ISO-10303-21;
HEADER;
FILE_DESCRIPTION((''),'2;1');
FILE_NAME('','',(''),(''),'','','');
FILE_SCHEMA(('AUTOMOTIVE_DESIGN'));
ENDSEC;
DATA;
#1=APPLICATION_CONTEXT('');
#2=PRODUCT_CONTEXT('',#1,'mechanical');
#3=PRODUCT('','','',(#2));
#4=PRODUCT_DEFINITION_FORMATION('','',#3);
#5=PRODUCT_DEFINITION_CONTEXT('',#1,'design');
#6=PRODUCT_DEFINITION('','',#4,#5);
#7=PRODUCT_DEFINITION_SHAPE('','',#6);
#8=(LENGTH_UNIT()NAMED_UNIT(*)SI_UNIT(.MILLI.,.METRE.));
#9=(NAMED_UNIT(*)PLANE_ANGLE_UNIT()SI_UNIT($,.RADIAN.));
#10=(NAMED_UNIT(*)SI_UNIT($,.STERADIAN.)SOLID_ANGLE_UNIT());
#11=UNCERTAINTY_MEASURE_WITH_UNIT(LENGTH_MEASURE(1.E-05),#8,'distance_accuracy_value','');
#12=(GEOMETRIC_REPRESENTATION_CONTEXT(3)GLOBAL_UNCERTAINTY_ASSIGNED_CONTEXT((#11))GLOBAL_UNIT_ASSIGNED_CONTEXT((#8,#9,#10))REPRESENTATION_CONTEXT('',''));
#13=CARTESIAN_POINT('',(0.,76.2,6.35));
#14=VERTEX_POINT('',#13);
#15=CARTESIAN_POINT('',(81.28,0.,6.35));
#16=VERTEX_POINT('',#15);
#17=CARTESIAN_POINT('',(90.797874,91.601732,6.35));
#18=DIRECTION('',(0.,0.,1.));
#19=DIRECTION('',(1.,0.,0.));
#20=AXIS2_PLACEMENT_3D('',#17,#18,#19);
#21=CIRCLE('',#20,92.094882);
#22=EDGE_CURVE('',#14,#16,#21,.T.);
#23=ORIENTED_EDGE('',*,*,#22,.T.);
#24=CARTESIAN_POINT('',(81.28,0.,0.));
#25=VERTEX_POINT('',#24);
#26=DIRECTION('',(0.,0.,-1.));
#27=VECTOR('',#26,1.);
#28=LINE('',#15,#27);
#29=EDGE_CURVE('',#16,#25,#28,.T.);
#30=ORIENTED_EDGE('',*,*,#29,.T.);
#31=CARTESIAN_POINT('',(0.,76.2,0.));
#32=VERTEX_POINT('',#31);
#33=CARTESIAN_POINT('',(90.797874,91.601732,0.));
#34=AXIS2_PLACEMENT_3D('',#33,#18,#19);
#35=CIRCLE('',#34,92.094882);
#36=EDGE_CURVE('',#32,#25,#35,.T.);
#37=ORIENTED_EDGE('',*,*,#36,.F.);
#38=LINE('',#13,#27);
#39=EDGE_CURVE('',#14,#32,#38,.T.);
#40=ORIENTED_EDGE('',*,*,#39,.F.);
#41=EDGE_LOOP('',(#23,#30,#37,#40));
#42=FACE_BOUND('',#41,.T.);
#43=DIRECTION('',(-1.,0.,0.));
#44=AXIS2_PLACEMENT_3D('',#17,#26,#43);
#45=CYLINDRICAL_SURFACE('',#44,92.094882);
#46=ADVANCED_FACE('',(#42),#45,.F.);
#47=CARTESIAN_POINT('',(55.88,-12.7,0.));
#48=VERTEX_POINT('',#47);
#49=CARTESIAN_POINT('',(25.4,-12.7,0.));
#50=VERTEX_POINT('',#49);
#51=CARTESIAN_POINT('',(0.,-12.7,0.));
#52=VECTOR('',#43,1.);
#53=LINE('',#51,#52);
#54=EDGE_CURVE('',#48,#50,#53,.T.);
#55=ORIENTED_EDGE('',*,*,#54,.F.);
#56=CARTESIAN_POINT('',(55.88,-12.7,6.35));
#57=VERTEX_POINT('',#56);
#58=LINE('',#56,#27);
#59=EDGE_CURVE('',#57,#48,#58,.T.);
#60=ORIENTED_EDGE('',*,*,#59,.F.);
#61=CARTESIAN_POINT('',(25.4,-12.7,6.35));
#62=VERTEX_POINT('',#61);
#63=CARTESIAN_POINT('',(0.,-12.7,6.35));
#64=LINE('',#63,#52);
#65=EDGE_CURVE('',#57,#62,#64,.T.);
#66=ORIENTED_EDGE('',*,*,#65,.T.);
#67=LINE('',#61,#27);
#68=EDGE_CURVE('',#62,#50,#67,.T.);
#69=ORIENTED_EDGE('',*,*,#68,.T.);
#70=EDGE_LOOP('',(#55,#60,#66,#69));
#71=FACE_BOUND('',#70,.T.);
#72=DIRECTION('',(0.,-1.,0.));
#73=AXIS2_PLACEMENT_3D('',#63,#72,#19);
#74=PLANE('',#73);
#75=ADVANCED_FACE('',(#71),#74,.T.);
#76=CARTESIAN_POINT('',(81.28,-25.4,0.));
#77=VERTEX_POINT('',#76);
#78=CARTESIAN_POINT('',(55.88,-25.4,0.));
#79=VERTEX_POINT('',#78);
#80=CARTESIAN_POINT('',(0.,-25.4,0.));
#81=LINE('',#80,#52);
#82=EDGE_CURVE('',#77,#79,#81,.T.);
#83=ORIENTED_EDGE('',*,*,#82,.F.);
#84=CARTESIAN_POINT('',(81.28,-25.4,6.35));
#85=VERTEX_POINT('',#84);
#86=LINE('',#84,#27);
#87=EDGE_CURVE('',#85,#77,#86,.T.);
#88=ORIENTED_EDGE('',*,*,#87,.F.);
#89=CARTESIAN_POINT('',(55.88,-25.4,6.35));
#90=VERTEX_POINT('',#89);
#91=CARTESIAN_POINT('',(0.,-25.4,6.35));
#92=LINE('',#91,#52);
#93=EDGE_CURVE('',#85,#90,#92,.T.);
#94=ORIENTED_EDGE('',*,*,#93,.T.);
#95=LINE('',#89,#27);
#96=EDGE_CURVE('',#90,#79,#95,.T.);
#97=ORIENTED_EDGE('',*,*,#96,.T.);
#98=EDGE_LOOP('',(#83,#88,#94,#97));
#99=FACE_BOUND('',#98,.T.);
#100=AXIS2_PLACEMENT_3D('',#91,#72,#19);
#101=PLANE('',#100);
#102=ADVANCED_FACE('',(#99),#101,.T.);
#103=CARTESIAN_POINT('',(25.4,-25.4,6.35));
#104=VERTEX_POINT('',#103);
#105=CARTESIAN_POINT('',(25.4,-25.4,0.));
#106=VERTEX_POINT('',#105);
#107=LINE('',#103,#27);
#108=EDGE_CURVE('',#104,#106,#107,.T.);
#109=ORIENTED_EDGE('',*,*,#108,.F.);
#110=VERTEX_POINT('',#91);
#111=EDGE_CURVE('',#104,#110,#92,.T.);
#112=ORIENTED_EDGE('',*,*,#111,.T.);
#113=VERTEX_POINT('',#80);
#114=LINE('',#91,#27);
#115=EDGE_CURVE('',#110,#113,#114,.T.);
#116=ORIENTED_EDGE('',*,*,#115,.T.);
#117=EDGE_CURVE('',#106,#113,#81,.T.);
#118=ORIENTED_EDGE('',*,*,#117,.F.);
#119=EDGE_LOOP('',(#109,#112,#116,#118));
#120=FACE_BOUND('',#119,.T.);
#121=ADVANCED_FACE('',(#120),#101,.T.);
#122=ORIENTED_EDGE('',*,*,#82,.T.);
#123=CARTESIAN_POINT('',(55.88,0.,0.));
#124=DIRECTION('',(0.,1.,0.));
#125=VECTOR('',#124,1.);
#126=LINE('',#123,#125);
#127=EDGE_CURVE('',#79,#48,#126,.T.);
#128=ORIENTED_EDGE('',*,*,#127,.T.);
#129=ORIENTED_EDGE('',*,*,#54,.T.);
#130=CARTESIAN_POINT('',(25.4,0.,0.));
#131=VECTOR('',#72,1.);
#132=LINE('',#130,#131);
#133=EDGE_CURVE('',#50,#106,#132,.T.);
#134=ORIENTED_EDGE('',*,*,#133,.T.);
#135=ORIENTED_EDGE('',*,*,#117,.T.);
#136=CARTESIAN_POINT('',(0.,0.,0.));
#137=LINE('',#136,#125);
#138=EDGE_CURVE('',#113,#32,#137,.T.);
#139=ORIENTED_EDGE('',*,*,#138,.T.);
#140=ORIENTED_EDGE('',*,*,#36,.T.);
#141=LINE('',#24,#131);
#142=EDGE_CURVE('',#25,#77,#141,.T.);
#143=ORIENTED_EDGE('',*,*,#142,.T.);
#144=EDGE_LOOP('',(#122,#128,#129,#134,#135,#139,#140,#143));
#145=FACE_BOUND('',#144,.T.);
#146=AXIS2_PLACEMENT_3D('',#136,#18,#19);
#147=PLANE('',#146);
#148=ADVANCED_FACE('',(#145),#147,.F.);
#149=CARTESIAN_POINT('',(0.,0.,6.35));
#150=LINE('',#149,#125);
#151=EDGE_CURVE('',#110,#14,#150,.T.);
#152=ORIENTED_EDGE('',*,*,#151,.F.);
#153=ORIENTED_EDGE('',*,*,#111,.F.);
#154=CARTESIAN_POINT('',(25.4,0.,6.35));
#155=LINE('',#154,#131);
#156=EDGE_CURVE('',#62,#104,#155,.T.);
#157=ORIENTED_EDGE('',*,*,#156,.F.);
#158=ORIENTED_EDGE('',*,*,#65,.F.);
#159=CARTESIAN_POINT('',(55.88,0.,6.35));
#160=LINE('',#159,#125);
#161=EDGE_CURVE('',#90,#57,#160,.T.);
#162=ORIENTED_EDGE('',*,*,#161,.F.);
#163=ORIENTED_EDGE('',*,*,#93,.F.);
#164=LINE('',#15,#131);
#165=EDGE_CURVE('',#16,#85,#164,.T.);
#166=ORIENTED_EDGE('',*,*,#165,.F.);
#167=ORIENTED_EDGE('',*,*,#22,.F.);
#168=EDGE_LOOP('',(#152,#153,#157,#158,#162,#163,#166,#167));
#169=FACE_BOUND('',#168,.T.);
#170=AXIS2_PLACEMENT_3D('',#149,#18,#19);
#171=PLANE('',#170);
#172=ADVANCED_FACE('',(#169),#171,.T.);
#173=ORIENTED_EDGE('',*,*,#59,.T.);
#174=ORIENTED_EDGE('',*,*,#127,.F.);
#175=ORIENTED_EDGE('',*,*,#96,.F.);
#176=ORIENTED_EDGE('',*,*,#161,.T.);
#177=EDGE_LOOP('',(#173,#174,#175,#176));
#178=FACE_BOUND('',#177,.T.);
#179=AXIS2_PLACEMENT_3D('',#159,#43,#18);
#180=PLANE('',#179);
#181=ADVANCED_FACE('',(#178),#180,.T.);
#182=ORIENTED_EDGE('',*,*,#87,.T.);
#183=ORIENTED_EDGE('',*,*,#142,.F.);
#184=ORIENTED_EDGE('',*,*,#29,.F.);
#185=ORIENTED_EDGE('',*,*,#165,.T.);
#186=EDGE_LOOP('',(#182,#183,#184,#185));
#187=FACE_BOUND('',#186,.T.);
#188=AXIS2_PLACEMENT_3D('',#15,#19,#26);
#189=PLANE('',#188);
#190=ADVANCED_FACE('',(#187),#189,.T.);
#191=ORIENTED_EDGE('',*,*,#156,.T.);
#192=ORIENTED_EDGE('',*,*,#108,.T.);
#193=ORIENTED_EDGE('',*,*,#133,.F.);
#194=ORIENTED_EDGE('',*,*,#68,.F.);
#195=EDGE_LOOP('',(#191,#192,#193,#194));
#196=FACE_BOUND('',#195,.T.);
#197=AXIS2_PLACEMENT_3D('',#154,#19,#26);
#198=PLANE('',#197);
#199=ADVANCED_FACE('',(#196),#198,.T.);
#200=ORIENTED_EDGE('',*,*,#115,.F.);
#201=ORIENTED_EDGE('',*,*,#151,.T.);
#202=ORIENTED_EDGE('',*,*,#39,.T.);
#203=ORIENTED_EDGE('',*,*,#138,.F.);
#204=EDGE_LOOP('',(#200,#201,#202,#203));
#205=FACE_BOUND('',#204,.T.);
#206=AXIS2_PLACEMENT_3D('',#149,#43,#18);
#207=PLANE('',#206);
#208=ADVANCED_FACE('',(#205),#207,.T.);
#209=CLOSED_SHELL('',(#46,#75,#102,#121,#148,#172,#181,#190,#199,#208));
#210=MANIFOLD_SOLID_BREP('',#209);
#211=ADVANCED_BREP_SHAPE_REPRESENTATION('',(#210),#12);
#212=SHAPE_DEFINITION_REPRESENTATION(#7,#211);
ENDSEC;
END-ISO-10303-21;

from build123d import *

# Parameters (mm, degrees)
BOSS_EXTRUDE1_DEPTH = 6.35


with BuildPart() as part:
    # Sketch1 → Boss-Extrude1 (new body)
    with BuildSketch(Plane.XY):
        with BuildLine():
            ThreePointArc((0, 76.2), (27.810396475, 24.415089573), (81.28, 0))
            Line((81.28, 0), (0, 0))
            Line((0, 0), (0, 76.2))
        make_face()
        Polygon((0, -25.4), (0, 0), (81.28, 0), (81.28, -25.4), (55.88, -25.4), (55.88, -12.7), (25.4, -12.7), (25.4, -25.4), align=None)
    extrude(amount=BOSS_EXTRUDE1_DEPTH)


solid = part.part
